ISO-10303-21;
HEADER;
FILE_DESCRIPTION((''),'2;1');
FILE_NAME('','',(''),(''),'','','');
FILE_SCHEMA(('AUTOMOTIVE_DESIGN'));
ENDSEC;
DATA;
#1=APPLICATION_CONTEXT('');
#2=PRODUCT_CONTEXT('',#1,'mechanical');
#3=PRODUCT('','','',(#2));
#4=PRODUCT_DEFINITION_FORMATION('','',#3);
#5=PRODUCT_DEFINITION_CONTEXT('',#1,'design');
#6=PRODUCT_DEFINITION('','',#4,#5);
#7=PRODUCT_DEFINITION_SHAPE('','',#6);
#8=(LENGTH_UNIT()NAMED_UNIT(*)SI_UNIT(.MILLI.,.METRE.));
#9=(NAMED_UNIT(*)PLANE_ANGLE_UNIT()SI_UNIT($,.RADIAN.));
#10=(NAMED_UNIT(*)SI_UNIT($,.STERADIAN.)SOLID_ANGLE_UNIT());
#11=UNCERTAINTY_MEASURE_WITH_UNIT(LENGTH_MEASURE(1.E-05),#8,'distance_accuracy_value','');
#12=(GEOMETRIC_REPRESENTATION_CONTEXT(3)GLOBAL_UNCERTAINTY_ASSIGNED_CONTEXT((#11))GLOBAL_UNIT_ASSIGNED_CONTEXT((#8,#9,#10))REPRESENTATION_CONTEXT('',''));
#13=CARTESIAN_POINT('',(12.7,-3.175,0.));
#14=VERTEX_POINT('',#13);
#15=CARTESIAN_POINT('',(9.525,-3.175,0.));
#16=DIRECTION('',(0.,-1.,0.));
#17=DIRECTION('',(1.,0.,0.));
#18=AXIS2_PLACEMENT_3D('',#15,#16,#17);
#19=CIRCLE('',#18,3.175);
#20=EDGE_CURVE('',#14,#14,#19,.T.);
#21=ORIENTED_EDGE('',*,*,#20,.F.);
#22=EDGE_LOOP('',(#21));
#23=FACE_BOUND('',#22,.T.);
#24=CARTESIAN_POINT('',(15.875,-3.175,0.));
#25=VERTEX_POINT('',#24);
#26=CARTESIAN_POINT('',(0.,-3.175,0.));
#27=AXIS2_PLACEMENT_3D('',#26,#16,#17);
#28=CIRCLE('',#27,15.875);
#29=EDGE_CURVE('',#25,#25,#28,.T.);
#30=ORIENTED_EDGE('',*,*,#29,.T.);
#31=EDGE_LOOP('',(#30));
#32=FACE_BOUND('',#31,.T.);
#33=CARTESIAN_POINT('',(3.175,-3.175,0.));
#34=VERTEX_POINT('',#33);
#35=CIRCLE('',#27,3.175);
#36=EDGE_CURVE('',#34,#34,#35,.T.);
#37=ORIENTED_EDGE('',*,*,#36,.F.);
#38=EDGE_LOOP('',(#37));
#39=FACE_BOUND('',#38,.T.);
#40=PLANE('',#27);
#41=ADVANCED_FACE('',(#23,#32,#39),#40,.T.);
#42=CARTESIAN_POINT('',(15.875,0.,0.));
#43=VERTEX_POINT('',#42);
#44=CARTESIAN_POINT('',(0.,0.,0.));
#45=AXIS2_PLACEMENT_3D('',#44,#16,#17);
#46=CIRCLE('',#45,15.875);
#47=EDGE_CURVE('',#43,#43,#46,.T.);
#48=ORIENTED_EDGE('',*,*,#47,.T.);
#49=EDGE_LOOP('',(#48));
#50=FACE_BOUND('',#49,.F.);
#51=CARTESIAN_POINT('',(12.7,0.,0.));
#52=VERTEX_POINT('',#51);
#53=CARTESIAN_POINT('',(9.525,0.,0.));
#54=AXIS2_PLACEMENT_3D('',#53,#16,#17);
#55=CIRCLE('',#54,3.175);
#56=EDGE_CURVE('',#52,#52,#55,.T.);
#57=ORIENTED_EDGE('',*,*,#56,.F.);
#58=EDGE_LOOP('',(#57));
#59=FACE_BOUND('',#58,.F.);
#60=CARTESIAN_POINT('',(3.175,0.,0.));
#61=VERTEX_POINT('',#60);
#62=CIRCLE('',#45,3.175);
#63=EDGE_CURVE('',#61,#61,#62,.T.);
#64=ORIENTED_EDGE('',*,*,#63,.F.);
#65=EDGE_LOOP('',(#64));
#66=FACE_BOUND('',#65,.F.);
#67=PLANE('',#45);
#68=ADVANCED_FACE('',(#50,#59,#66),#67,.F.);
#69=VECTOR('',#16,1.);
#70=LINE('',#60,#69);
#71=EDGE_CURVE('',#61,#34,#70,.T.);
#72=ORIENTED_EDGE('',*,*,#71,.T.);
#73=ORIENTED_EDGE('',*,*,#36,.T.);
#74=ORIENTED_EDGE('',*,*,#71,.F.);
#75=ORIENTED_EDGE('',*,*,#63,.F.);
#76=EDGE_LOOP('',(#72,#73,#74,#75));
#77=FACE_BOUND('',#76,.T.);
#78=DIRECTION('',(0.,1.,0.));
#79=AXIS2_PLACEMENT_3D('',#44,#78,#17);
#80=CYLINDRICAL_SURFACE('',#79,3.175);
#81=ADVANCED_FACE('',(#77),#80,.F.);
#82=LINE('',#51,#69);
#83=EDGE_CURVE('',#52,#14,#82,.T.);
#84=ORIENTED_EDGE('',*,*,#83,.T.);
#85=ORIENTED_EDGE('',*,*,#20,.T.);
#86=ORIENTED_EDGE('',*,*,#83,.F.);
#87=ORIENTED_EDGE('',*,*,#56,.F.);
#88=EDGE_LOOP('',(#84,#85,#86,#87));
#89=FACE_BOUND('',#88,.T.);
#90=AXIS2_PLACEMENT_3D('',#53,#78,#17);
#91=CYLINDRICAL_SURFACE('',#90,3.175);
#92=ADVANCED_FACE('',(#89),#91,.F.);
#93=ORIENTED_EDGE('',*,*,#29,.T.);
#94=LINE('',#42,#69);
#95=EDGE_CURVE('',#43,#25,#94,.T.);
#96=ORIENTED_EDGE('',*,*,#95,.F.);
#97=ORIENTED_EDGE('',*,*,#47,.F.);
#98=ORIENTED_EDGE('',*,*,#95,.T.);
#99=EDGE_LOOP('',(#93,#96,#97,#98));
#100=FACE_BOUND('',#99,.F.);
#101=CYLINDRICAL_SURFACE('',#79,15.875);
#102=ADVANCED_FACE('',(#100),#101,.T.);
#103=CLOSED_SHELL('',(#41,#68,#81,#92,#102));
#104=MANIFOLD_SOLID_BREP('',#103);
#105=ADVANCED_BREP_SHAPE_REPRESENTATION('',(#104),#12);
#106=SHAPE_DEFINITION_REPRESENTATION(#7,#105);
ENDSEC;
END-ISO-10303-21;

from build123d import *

# Parameters (mm, degrees)
F0_R     = 15.875
F0_R_2   = 3.175
F1_DEPTH = 3.175


with BuildPart() as f1:
    # F0 (on Front) → F1 (new body)
    with BuildSketch(Plane.XZ):
        Circle(F0_R)
        Circle(F0_R_2, mode=Mode.SUBTRACT)
        with Locations((9.525, 0)):
            Circle(F0_R_2, mode=Mode.SUBTRACT)
    extrude(amount=F1_DEPTH)


solid = f1.part
